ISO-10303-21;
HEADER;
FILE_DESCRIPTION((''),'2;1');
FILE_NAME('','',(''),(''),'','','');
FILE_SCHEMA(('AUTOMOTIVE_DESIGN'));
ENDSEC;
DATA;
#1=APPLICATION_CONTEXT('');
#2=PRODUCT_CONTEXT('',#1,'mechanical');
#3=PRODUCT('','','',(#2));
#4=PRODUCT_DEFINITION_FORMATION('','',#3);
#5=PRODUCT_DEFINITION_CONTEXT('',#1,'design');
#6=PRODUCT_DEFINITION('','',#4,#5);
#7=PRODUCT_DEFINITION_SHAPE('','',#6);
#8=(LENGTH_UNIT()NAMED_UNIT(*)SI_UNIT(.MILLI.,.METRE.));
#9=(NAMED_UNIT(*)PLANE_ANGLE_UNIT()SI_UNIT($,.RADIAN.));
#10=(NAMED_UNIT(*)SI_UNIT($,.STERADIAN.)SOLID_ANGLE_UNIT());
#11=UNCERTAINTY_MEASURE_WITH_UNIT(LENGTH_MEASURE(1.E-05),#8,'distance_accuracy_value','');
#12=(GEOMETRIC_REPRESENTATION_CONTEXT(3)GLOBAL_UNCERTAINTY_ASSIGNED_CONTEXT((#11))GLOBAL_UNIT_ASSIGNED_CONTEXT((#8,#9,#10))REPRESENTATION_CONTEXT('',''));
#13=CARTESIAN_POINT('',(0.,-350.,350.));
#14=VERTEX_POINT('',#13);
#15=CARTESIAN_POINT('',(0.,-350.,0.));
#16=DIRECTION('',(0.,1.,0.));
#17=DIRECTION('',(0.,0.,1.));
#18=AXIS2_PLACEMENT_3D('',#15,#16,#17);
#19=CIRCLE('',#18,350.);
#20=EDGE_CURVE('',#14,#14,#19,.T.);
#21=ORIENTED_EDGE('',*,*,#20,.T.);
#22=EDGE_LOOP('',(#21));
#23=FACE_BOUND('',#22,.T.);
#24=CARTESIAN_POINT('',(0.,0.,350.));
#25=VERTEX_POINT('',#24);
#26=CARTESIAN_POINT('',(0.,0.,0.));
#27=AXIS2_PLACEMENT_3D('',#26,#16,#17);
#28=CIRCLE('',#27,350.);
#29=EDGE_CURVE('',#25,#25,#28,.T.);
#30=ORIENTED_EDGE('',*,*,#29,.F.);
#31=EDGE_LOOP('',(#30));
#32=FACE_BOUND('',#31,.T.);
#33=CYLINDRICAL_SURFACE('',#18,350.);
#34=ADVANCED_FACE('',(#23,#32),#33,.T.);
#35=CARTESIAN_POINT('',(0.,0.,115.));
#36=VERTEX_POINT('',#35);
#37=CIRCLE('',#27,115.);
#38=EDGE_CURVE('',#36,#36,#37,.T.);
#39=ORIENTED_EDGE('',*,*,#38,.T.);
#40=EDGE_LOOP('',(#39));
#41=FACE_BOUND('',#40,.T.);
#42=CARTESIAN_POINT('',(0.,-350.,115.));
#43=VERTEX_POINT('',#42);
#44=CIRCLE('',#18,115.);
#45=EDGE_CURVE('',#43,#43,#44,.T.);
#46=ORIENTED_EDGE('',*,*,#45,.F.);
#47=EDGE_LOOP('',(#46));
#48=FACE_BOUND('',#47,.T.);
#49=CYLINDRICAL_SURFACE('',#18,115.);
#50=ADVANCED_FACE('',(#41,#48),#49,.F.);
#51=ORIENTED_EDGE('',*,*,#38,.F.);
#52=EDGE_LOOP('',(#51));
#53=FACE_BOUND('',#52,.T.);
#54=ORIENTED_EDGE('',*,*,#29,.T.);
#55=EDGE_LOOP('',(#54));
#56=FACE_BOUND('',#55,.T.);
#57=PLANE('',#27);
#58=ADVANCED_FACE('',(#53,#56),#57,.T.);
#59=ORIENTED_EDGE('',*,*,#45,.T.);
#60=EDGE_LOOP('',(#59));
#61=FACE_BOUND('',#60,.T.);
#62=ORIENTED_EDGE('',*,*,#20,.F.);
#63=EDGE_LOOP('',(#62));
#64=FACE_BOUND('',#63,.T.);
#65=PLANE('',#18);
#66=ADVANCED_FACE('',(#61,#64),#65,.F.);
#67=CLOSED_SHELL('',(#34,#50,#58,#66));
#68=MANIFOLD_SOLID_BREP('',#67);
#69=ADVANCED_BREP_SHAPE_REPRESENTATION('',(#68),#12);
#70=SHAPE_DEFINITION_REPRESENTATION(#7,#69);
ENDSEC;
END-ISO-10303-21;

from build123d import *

# Parameters (mm, degrees)
SKETCH1_R           = 350
SKETCH1_R_2         = 115
BOSS_EXTRUDE1_DEPTH = 350


with BuildPart() as part:
    # Sketch1 → Boss-Extrude1 (new body)
    with BuildSketch(Plane(origin=(0, 0, 0), x_dir=(1, 0, 0), z_dir=(0, 1, 0))):
        Circle(SKETCH1_R)
        Circle(SKETCH1_R_2, mode=Mode.SUBTRACT)
    extrude(amount=-BOSS_EXTRUDE1_DEPTH)


solid = part.part
